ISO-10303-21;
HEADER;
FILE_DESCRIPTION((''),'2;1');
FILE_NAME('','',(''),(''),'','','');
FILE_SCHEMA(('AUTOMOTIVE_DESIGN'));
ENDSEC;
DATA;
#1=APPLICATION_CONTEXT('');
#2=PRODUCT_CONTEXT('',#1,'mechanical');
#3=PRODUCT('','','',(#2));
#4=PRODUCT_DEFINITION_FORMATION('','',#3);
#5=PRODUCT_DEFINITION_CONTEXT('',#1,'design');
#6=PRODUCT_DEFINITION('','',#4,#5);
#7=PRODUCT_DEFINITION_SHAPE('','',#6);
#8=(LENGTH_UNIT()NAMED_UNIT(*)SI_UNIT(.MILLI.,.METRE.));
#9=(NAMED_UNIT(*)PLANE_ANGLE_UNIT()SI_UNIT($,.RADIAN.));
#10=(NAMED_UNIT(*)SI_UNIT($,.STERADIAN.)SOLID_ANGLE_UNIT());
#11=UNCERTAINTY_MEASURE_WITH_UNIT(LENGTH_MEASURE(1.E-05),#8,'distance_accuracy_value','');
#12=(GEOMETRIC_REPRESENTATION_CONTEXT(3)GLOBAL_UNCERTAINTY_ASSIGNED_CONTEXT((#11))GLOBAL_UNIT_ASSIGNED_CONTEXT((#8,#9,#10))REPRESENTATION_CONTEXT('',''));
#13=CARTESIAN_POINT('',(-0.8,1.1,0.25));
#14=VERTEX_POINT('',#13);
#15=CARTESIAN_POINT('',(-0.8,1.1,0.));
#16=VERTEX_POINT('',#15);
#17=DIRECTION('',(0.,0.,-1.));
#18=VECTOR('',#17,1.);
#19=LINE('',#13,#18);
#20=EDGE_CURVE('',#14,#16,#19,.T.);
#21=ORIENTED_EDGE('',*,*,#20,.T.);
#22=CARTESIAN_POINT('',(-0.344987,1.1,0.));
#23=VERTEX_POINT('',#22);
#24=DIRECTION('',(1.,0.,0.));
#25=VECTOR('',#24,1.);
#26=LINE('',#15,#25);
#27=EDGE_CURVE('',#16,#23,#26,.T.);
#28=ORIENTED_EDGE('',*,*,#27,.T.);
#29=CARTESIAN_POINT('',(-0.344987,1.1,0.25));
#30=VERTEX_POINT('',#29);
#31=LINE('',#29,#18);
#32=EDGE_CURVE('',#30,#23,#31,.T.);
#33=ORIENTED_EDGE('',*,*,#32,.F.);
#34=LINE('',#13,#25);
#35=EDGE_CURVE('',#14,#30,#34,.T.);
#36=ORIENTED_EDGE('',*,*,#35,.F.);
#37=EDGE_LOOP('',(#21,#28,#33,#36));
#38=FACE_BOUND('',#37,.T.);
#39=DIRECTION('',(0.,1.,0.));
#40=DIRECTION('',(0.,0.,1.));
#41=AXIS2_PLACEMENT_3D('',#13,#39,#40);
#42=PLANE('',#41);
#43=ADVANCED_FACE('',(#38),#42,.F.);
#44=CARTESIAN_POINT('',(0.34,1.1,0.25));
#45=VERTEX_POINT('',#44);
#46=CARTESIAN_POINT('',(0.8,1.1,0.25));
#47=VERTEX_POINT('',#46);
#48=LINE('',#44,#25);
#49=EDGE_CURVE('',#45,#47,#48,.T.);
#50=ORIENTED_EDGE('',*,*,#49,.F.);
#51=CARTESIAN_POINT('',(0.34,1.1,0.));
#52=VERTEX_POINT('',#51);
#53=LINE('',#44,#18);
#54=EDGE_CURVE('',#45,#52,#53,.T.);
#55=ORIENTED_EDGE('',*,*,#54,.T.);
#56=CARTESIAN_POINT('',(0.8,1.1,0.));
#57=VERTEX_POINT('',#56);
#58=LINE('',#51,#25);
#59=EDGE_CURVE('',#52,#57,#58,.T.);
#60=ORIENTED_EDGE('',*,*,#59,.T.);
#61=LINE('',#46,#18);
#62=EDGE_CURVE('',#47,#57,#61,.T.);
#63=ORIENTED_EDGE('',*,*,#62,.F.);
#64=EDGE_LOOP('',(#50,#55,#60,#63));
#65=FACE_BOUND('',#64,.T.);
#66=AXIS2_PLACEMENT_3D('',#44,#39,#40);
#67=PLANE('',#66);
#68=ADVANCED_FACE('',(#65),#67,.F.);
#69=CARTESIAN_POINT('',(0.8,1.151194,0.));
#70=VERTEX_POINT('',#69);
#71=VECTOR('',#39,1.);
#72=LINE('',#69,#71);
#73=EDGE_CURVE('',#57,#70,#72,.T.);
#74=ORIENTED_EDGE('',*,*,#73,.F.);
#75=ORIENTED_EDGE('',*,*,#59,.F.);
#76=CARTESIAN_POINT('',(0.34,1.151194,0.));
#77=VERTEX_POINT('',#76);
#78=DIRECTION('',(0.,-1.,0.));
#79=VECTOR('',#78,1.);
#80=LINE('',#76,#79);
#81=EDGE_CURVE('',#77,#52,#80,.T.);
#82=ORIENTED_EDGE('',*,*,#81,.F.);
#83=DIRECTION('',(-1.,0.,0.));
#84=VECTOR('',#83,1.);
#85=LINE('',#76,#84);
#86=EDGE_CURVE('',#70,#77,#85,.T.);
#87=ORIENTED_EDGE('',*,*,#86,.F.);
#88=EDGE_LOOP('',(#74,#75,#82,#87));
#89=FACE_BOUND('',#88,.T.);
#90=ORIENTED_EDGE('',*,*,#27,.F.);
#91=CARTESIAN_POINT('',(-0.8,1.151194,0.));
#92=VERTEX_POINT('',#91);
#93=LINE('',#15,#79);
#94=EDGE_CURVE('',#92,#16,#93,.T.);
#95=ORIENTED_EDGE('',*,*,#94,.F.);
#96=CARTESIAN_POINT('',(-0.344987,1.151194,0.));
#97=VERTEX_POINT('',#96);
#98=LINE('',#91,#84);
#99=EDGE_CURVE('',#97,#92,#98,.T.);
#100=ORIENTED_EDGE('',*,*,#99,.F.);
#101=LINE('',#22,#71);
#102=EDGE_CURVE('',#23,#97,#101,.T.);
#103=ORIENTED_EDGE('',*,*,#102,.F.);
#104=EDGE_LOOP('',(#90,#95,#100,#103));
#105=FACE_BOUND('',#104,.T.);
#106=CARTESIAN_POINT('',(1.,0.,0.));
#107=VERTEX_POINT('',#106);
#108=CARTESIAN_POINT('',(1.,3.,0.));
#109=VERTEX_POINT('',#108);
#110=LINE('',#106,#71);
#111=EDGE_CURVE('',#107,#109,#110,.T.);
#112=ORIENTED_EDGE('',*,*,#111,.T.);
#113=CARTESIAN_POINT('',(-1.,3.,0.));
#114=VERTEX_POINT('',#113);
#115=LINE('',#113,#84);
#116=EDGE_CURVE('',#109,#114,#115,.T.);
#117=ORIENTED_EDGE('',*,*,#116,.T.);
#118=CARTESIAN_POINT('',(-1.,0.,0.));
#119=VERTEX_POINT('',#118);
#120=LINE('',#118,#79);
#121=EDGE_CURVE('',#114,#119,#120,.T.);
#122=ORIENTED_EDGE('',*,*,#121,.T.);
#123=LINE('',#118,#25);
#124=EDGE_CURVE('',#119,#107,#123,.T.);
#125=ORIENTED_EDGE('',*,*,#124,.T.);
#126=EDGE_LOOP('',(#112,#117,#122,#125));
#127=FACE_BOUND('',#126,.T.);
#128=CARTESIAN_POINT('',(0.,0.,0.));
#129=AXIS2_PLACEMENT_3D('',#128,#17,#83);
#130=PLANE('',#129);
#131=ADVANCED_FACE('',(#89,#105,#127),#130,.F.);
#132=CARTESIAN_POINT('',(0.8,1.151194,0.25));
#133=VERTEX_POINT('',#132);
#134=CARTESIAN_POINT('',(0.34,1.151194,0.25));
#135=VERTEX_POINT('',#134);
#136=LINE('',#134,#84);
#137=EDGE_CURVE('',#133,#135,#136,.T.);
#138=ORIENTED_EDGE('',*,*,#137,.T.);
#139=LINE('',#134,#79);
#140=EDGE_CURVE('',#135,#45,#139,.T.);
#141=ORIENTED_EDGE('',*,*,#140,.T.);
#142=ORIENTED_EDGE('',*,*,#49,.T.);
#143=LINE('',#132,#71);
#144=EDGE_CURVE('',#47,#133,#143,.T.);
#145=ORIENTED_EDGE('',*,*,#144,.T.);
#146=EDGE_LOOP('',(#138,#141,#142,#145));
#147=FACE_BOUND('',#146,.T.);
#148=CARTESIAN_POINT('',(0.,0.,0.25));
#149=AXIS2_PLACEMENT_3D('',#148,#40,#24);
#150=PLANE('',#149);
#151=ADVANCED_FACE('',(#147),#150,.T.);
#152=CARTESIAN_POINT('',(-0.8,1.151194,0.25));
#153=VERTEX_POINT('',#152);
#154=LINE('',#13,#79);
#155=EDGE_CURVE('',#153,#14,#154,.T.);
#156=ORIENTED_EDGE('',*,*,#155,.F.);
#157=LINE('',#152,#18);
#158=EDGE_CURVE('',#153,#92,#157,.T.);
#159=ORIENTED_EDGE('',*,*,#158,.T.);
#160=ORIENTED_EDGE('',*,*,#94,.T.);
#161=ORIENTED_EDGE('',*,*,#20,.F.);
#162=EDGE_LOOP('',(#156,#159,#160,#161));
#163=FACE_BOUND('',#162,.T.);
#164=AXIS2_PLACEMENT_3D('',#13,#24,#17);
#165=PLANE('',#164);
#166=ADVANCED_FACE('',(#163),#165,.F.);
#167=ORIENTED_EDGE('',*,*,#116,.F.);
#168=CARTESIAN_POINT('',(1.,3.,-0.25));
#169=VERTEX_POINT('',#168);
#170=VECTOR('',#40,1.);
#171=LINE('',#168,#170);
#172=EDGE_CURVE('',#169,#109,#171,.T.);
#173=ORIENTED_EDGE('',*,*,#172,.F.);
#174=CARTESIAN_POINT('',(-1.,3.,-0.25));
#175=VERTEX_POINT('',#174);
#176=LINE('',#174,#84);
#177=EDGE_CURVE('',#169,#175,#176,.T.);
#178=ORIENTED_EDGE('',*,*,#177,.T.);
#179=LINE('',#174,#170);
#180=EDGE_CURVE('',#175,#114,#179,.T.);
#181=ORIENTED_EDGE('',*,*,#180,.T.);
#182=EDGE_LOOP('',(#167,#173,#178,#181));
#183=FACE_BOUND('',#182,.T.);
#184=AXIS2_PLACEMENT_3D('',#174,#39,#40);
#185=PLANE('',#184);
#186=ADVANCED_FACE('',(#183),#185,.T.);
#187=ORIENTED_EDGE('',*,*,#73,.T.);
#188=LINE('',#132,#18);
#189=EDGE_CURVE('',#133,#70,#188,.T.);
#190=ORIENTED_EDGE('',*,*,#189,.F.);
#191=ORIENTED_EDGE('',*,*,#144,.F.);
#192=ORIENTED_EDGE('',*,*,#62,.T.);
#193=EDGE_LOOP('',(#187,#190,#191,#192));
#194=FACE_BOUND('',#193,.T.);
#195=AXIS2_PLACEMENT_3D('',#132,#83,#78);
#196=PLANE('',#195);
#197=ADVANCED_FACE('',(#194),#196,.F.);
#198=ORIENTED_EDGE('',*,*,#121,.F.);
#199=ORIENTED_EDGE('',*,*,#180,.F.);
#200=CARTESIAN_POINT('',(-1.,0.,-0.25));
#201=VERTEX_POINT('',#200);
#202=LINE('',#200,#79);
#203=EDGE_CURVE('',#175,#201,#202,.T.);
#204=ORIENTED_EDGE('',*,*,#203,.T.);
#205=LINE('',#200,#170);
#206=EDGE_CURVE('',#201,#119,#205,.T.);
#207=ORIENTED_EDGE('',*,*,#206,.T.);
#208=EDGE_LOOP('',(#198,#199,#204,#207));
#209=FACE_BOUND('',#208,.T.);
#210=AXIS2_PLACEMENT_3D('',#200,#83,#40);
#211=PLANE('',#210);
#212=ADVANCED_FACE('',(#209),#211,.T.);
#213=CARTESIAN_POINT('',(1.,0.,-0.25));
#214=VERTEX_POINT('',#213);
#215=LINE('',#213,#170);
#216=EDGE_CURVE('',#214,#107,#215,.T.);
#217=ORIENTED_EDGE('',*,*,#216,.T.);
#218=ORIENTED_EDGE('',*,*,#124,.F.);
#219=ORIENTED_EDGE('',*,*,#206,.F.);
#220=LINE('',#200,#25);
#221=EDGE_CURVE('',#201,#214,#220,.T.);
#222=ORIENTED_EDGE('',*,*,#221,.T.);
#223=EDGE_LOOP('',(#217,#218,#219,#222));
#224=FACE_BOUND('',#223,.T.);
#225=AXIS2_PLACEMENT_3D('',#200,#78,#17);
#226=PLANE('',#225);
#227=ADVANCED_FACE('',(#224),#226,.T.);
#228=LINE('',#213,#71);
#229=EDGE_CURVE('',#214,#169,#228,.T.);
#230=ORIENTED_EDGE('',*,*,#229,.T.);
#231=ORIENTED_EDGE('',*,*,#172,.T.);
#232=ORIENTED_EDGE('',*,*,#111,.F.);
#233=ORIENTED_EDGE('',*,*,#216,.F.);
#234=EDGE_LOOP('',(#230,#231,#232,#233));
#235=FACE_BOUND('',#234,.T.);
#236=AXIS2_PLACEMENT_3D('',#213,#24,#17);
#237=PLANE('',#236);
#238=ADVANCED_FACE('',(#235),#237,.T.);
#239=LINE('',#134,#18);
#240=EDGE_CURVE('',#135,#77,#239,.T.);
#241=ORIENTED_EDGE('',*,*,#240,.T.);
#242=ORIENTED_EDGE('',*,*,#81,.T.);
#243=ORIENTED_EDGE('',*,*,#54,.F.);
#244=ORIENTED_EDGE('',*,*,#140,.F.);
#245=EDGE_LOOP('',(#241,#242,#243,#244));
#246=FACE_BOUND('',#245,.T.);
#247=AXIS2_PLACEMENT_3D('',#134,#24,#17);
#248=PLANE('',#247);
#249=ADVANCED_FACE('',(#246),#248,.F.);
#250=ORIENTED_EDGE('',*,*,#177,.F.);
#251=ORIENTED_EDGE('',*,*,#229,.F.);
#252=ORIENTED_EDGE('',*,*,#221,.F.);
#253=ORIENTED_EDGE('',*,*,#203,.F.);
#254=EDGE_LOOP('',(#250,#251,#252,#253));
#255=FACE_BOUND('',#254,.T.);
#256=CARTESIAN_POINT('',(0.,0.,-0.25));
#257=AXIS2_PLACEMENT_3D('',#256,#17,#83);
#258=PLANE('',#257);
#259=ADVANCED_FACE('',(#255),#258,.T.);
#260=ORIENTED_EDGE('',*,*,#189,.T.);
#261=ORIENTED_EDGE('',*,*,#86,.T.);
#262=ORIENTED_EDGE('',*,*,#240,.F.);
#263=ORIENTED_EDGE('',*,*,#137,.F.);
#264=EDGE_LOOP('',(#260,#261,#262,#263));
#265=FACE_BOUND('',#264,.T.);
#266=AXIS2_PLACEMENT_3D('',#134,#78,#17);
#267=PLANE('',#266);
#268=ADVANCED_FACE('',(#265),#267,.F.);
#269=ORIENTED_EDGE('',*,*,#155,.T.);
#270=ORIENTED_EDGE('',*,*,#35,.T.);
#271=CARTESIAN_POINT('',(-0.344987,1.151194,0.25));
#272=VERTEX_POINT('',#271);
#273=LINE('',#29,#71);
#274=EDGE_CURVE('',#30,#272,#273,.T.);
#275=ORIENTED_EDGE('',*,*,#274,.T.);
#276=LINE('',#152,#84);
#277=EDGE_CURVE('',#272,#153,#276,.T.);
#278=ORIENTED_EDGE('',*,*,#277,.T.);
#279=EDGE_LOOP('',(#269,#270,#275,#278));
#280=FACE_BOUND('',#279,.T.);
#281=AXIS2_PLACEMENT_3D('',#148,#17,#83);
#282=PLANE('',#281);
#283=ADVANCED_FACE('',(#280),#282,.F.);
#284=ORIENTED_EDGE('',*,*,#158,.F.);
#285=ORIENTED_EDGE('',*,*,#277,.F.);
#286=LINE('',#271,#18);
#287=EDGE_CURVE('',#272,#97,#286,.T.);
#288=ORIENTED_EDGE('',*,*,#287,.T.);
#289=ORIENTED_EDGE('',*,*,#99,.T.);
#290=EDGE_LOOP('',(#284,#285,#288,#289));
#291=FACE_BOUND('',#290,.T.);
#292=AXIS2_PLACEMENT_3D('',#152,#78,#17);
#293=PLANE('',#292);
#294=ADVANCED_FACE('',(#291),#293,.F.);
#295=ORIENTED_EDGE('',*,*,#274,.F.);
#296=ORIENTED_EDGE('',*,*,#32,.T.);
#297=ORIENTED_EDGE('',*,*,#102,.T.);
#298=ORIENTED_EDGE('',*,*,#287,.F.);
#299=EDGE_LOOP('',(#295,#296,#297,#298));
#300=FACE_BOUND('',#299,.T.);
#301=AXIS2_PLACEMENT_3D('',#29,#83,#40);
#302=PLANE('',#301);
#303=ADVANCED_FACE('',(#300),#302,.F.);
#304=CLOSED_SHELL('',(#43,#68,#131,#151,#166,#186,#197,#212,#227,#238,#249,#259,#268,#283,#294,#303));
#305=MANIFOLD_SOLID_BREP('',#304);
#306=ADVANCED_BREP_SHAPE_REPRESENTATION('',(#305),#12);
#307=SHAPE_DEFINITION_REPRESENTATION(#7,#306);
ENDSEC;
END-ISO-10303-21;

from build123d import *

# Parameters (mm, degrees)
SKETCH1_W           = 2
SKETCH1_H           = 3
BOSS_EXTRUDE1_DEPTH = 0.25
SKETCH2_W           = 0.455012626
SKETCH2_H           = 0.051193531
SKETCH2_W_2         = 0.46
BOSS_EXTRUDE2_DEPTH = 0.25


with BuildPart() as part:
    # Sketch1 → Boss-Extrude1 (new body)
    with BuildSketch(Plane.XY):
        with Locations((0, 1.5)):
            Rectangle(SKETCH1_W, SKETCH1_H)
    extrude(amount=-BOSS_EXTRUDE1_DEPTH)

    # Sketch2 → Boss-Extrude2 (add)
    with BuildSketch(Plane.XY):
        with Locations((-0.572493687, 1.125596766)):
            Rectangle(SKETCH2_W, SKETCH2_H)
        with Locations((0.57, 1.125596766)):
            Rectangle(SKETCH2_W_2, SKETCH2_H)
    extrude(amount=BOSS_EXTRUDE2_DEPTH)


solid = part.part
